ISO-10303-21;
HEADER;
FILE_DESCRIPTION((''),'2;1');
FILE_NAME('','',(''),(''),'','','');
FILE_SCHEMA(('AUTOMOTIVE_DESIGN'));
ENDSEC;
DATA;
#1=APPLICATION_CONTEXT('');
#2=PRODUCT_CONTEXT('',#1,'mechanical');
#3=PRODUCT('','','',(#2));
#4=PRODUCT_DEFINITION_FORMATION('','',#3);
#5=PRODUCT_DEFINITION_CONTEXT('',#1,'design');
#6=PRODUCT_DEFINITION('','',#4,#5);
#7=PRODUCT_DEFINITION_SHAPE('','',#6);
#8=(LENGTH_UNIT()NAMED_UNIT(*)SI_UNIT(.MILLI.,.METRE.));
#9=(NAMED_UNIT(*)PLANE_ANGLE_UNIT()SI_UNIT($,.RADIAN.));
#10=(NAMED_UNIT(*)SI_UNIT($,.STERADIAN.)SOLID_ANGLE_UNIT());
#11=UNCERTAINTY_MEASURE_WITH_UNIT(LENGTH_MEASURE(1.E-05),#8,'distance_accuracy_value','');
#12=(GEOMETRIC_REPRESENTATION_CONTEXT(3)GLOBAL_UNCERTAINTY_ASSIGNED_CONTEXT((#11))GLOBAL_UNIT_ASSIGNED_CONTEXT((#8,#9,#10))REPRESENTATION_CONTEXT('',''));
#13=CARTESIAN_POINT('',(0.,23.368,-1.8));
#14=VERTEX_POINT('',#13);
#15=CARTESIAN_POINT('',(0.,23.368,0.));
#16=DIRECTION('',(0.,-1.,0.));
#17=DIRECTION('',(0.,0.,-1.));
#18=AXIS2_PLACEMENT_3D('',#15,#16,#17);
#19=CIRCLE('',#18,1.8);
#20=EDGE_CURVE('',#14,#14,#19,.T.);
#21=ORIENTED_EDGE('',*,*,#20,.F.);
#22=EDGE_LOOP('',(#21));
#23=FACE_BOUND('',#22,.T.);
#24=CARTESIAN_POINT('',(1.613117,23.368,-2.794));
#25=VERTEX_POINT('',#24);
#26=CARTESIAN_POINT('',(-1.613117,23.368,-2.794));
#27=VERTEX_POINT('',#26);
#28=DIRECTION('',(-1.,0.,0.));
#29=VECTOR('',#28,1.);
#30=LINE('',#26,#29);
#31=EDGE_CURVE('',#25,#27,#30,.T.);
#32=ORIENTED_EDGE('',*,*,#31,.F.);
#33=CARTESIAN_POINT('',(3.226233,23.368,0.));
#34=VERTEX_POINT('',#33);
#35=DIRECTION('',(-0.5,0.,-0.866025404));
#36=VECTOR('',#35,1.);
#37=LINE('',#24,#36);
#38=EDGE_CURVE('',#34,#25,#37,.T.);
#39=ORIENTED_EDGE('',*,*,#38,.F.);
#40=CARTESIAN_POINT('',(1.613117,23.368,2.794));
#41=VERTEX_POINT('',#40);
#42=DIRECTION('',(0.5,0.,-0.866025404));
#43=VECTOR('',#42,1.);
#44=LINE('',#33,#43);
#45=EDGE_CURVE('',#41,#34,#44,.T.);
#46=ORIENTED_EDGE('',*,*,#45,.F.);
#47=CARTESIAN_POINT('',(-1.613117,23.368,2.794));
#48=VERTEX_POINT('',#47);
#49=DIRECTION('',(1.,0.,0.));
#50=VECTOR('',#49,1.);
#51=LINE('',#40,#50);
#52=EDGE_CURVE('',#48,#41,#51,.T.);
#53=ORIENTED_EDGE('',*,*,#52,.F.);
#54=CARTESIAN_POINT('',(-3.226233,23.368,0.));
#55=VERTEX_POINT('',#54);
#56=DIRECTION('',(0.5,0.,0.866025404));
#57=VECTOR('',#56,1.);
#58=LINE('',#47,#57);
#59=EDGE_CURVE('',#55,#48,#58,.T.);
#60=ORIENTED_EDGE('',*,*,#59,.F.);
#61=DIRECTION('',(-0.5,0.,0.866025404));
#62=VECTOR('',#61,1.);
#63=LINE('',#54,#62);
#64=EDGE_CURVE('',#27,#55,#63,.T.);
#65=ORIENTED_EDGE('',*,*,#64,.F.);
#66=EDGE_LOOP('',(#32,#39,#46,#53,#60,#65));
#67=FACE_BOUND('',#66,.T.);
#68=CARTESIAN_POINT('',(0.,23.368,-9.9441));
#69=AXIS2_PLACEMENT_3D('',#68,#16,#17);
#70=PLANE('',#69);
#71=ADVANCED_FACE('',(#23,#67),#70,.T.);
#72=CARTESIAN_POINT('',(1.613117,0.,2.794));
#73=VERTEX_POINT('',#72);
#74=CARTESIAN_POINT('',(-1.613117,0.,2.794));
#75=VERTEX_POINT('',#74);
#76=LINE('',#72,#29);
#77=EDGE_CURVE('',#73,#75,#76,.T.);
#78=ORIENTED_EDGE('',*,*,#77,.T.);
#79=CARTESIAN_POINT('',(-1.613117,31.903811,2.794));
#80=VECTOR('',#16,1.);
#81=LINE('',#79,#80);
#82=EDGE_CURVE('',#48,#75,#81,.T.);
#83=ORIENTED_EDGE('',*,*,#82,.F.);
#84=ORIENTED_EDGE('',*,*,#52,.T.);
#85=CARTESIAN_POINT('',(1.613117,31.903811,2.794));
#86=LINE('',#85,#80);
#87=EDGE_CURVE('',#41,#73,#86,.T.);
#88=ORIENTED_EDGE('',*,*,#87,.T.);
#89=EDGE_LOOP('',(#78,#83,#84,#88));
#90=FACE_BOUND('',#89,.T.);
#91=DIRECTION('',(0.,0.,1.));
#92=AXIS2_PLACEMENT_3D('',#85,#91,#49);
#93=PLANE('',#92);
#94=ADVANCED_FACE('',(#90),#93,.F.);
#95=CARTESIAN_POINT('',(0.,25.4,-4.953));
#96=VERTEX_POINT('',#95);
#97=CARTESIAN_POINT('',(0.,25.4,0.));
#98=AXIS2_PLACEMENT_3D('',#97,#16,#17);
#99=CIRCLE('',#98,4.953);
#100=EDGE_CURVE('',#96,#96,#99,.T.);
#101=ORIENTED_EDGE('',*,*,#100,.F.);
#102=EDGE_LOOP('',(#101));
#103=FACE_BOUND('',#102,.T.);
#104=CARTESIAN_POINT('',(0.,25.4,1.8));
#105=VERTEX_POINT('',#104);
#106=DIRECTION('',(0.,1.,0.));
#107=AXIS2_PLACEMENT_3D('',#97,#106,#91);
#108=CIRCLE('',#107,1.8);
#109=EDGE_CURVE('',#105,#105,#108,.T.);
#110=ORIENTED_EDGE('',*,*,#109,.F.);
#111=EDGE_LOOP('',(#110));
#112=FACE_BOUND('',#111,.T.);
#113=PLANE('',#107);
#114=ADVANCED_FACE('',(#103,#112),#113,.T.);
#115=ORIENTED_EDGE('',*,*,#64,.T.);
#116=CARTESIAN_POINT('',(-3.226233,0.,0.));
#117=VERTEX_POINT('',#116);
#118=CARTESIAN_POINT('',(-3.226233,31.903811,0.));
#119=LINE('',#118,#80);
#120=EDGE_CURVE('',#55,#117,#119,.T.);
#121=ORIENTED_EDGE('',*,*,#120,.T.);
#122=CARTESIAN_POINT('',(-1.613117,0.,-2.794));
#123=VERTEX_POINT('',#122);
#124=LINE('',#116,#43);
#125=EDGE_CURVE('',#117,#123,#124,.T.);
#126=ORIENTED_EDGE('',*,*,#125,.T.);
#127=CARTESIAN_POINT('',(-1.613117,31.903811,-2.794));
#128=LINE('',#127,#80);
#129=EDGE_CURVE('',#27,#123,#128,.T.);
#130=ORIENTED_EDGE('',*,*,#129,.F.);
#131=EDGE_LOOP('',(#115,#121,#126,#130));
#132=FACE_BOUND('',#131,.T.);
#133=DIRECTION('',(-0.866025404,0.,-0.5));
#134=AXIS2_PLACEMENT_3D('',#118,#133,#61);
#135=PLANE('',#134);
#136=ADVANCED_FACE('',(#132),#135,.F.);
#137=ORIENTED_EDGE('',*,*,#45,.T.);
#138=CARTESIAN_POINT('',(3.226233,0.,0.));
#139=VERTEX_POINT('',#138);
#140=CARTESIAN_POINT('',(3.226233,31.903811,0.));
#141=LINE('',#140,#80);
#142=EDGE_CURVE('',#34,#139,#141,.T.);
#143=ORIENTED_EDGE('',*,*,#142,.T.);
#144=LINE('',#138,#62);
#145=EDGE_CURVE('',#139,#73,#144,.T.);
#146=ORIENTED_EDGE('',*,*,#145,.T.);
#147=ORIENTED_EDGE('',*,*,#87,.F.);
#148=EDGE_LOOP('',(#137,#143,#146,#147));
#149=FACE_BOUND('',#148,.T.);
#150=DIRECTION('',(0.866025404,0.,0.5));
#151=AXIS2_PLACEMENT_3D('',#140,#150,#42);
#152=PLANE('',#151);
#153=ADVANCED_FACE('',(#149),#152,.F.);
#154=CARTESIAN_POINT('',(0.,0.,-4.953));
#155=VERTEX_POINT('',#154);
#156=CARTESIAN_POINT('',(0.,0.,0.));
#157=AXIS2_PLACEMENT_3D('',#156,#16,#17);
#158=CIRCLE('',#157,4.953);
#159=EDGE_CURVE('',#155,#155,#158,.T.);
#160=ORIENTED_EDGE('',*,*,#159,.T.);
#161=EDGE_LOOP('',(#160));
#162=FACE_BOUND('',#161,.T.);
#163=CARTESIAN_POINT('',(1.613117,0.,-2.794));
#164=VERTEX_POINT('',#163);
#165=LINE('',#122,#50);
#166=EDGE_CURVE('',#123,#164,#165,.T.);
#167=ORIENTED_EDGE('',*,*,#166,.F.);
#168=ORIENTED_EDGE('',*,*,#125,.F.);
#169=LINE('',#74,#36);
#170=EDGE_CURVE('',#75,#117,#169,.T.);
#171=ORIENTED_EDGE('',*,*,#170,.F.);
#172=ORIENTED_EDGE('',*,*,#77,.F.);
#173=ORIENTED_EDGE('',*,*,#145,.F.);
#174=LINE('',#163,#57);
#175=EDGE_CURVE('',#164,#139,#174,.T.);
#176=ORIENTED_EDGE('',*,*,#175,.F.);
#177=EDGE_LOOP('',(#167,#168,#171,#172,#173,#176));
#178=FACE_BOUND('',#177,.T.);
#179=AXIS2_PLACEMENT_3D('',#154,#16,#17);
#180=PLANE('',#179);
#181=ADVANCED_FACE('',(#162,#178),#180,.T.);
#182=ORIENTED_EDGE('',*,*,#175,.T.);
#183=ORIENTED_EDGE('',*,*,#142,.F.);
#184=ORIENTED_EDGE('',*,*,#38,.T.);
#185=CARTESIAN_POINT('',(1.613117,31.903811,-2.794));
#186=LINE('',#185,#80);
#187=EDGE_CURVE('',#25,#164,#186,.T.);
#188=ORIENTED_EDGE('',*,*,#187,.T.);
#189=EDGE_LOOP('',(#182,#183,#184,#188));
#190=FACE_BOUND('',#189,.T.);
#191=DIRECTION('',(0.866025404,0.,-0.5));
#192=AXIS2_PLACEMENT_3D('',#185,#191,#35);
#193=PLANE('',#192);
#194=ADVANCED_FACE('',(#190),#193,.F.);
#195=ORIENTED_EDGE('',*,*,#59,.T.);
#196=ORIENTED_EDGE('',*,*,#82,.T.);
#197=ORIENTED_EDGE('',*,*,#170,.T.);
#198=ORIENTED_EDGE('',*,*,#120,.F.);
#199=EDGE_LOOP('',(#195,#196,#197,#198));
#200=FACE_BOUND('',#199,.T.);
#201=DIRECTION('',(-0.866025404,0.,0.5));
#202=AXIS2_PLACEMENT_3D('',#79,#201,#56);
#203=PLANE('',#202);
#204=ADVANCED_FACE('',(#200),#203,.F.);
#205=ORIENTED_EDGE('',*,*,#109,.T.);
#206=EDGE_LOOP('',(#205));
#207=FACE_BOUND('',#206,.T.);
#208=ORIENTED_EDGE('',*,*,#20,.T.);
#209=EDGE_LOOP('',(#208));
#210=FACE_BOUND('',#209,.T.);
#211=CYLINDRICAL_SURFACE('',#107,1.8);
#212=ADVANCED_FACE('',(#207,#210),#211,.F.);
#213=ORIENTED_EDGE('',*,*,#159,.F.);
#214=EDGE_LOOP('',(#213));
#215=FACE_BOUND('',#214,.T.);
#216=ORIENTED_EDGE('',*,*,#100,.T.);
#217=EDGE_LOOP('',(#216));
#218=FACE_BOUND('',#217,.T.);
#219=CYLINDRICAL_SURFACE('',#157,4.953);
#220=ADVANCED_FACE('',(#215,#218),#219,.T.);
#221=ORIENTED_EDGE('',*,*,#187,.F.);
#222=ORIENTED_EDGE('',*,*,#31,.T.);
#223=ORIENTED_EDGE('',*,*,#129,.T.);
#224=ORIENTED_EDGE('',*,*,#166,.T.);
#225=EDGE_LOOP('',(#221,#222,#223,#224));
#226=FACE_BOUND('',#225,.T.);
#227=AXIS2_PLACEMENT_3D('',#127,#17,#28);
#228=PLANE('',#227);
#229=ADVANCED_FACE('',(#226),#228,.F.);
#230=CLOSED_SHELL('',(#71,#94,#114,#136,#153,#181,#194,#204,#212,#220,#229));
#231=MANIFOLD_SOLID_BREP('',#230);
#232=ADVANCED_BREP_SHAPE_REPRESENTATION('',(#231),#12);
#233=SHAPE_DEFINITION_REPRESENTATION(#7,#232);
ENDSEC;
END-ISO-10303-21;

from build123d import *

# Parameters (mm, degrees)
CUT_EXTRUDE2_DEPTH   = 23.368
M3_CLEARANCE_HOLE1_D = 3.6
SKETCH10_OUTSIDE_W   = 29.468
SKETCH10_OUTSIDE_H   = 29.468
SKETCH10_OUTSIDE_R   = 4.953
CUT_EXTRUDE3_DEPTH   = 30.033261092


with BuildPart() as part:
    # Sketch1 → Revolve1 (revolve)
    with BuildSketch(Plane(origin=(0, 0, 0), x_dir=(0, 0, -1), z_dir=(1, 0, 0))):
        Polygon((0, 25.4), (9.9441, 25.4), (9.9441, 23.368), (4.953, 23.368), (4.953, 0), (0, 0), align=None)
    revolve(axis=Axis((0, 0, 0), (0, 1, 0)))

    # Sketch4 → Cut-Extrude2 (cut)
    with BuildSketch(Plane.XZ):
        Polygon((1.613116652, -2.794), (3.226233304, 0), (1.613116652, 2.794), (-1.613116652, 2.794), (-3.226233304, 0), (-1.613116652, -2.794), align=None)
    extrude(amount=-CUT_EXTRUDE2_DEPTH, mode=Mode.SUBTRACT)

    # M3 Clearance Hole1 (through all)
    with Locations(Plane(origin=(0, 25.4, 0), x_dir=(1, 0, 0), z_dir=(0, 1, 0))):
        with Locations((-6.985, 0), (0, 0), (6.985, 0), (0, 6.985), (0, -6.985)):
            Hole(M3_CLEARANCE_HOLE1_D / 2)

    # Sketch10 outside → Cut-Extrude3 (cut, through all)
    with BuildSketch(Plane.XZ):
        Rectangle(SKETCH10_OUTSIDE_W, SKETCH10_OUTSIDE_H)
        with Locations(Location((0, 0, 0), (0, 0, 270))):
            Circle(SKETCH10_OUTSIDE_R, mode=Mode.SUBTRACT)
    extrude(amount=-CUT_EXTRUDE3_DEPTH, mode=Mode.SUBTRACT)


solid = part.part
